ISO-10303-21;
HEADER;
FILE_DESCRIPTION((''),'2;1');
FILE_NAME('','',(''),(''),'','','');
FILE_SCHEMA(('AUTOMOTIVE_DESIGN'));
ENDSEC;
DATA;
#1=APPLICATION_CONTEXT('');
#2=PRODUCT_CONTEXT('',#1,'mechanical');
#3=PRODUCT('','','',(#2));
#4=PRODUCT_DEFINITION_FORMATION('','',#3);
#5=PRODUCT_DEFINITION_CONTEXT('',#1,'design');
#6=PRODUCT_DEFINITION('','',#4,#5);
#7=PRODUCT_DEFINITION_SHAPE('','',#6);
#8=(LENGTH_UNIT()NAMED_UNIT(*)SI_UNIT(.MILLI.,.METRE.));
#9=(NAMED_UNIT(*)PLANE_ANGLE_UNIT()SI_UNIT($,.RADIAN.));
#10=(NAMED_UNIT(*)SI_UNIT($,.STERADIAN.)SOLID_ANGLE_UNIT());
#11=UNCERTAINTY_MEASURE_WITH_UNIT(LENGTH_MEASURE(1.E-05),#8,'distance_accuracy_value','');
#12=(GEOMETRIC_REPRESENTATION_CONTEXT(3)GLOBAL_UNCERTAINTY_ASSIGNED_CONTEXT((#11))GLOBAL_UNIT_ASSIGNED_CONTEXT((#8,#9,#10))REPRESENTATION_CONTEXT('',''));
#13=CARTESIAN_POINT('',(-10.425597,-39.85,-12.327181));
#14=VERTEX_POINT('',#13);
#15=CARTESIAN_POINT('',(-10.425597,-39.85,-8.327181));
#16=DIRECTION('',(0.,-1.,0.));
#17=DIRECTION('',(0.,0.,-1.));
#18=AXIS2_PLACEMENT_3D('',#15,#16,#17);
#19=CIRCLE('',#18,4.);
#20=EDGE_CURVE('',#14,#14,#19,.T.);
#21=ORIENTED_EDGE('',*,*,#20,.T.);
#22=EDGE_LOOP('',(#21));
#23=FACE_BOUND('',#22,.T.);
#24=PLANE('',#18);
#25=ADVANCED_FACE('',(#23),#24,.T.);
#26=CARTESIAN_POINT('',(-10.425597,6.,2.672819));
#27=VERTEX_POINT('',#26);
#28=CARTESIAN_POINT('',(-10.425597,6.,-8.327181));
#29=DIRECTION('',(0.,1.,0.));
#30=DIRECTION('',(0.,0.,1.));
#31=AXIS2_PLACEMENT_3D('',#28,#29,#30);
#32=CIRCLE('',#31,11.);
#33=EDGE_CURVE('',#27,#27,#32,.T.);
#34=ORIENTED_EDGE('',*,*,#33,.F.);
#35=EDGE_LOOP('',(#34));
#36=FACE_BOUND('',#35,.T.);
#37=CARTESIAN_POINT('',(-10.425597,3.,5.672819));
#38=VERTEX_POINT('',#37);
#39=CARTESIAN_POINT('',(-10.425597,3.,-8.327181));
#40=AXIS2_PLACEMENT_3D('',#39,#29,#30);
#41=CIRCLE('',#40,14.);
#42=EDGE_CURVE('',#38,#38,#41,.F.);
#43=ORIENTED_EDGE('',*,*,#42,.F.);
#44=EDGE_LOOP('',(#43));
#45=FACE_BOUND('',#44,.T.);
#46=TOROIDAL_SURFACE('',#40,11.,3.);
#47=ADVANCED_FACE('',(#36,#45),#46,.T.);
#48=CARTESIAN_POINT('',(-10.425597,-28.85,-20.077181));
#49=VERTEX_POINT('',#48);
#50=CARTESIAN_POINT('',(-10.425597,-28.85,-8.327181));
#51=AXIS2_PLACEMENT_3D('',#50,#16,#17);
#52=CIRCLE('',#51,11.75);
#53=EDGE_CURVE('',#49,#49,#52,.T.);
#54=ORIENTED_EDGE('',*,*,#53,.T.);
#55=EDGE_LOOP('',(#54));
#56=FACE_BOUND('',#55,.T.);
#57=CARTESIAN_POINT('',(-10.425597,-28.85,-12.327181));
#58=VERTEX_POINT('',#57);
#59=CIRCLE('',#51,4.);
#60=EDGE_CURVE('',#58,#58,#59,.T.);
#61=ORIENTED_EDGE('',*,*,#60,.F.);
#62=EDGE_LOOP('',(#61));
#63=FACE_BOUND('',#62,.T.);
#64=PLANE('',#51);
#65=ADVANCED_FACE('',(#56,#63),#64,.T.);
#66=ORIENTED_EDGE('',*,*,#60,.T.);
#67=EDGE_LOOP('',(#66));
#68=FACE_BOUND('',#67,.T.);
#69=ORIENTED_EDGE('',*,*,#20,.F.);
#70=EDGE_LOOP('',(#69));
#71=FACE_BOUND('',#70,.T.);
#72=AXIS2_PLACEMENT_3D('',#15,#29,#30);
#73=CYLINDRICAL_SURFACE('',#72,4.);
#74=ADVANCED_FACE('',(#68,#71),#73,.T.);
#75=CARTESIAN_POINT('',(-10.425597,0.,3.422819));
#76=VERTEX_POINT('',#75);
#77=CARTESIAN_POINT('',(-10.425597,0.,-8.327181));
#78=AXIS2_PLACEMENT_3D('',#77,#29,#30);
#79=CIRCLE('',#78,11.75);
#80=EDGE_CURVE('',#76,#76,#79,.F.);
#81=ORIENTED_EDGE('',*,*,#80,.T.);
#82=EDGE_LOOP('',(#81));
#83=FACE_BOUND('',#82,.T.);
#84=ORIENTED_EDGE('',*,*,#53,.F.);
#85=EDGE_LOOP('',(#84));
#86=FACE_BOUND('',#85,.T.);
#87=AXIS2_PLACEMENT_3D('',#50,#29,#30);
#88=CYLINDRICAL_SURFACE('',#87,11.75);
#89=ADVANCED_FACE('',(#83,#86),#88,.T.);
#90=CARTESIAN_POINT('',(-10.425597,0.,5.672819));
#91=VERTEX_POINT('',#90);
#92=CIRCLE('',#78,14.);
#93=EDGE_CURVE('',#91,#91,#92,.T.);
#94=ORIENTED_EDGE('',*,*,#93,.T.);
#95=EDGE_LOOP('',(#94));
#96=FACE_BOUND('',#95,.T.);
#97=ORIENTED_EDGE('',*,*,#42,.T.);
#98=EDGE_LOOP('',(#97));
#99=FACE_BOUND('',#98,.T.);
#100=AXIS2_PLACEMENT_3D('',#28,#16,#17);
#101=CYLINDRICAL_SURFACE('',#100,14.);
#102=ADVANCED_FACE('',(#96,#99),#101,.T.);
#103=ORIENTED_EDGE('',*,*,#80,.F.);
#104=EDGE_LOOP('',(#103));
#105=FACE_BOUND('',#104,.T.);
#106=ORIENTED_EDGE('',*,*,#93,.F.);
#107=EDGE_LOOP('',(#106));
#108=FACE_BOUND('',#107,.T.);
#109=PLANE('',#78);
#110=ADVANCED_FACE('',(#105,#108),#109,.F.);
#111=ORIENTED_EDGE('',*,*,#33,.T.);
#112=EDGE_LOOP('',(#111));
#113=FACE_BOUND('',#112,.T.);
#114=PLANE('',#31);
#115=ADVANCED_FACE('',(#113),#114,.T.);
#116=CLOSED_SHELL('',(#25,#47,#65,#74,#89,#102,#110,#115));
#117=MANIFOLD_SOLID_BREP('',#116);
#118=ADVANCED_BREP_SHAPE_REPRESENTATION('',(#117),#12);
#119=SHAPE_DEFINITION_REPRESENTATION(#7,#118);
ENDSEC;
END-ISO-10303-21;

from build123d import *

# Parameters (mm, degrees)
SKETCH1_R           = 14
BOSS_EXTRUDE1_DEPTH = 6
SKETCH2_R           = 11.75
BOSS_EXTRUDE2_DEPTH = 28.85
FILLET1_R           = 3
SKETCH3_R           = 4
BOSS_EXTRUDE3_DEPTH = 11


with BuildPart() as part:
    # Sketch1 → Boss-Extrude1 (new body)
    with BuildSketch(Plane(origin=(0, 0, 0), x_dir=(1, 0, 0), z_dir=(0, 1, 0))):
        with Locations((-10.425597089, 8.327180584)):
            Circle(SKETCH1_R)
    extrude(amount=BOSS_EXTRUDE1_DEPTH)

    # Sketch2 → Boss-Extrude2 (add)
    with BuildSketch(Plane.XZ):
        with Locations((-10.425597089, -8.327180584)):
            Circle(SKETCH2_R)
    extrude(amount=BOSS_EXTRUDE2_DEPTH)

    # Fillet1
    fillet1_edges = [part.edges().sort_by_distance(p)[0] for p in [
        (-24.425597089, 6, -8.327180584),
    ]]
    fillet(fillet1_edges, radius=FILLET1_R)

    # Sketch3 → Boss-Extrude3 (add)
    with BuildSketch(Plane.XZ.offset(28.85)):
        with Locations((-10.425597089, -8.327180584)):
            Circle(SKETCH3_R)
    extrude(amount=BOSS_EXTRUDE3_DEPTH)


solid = part.part
